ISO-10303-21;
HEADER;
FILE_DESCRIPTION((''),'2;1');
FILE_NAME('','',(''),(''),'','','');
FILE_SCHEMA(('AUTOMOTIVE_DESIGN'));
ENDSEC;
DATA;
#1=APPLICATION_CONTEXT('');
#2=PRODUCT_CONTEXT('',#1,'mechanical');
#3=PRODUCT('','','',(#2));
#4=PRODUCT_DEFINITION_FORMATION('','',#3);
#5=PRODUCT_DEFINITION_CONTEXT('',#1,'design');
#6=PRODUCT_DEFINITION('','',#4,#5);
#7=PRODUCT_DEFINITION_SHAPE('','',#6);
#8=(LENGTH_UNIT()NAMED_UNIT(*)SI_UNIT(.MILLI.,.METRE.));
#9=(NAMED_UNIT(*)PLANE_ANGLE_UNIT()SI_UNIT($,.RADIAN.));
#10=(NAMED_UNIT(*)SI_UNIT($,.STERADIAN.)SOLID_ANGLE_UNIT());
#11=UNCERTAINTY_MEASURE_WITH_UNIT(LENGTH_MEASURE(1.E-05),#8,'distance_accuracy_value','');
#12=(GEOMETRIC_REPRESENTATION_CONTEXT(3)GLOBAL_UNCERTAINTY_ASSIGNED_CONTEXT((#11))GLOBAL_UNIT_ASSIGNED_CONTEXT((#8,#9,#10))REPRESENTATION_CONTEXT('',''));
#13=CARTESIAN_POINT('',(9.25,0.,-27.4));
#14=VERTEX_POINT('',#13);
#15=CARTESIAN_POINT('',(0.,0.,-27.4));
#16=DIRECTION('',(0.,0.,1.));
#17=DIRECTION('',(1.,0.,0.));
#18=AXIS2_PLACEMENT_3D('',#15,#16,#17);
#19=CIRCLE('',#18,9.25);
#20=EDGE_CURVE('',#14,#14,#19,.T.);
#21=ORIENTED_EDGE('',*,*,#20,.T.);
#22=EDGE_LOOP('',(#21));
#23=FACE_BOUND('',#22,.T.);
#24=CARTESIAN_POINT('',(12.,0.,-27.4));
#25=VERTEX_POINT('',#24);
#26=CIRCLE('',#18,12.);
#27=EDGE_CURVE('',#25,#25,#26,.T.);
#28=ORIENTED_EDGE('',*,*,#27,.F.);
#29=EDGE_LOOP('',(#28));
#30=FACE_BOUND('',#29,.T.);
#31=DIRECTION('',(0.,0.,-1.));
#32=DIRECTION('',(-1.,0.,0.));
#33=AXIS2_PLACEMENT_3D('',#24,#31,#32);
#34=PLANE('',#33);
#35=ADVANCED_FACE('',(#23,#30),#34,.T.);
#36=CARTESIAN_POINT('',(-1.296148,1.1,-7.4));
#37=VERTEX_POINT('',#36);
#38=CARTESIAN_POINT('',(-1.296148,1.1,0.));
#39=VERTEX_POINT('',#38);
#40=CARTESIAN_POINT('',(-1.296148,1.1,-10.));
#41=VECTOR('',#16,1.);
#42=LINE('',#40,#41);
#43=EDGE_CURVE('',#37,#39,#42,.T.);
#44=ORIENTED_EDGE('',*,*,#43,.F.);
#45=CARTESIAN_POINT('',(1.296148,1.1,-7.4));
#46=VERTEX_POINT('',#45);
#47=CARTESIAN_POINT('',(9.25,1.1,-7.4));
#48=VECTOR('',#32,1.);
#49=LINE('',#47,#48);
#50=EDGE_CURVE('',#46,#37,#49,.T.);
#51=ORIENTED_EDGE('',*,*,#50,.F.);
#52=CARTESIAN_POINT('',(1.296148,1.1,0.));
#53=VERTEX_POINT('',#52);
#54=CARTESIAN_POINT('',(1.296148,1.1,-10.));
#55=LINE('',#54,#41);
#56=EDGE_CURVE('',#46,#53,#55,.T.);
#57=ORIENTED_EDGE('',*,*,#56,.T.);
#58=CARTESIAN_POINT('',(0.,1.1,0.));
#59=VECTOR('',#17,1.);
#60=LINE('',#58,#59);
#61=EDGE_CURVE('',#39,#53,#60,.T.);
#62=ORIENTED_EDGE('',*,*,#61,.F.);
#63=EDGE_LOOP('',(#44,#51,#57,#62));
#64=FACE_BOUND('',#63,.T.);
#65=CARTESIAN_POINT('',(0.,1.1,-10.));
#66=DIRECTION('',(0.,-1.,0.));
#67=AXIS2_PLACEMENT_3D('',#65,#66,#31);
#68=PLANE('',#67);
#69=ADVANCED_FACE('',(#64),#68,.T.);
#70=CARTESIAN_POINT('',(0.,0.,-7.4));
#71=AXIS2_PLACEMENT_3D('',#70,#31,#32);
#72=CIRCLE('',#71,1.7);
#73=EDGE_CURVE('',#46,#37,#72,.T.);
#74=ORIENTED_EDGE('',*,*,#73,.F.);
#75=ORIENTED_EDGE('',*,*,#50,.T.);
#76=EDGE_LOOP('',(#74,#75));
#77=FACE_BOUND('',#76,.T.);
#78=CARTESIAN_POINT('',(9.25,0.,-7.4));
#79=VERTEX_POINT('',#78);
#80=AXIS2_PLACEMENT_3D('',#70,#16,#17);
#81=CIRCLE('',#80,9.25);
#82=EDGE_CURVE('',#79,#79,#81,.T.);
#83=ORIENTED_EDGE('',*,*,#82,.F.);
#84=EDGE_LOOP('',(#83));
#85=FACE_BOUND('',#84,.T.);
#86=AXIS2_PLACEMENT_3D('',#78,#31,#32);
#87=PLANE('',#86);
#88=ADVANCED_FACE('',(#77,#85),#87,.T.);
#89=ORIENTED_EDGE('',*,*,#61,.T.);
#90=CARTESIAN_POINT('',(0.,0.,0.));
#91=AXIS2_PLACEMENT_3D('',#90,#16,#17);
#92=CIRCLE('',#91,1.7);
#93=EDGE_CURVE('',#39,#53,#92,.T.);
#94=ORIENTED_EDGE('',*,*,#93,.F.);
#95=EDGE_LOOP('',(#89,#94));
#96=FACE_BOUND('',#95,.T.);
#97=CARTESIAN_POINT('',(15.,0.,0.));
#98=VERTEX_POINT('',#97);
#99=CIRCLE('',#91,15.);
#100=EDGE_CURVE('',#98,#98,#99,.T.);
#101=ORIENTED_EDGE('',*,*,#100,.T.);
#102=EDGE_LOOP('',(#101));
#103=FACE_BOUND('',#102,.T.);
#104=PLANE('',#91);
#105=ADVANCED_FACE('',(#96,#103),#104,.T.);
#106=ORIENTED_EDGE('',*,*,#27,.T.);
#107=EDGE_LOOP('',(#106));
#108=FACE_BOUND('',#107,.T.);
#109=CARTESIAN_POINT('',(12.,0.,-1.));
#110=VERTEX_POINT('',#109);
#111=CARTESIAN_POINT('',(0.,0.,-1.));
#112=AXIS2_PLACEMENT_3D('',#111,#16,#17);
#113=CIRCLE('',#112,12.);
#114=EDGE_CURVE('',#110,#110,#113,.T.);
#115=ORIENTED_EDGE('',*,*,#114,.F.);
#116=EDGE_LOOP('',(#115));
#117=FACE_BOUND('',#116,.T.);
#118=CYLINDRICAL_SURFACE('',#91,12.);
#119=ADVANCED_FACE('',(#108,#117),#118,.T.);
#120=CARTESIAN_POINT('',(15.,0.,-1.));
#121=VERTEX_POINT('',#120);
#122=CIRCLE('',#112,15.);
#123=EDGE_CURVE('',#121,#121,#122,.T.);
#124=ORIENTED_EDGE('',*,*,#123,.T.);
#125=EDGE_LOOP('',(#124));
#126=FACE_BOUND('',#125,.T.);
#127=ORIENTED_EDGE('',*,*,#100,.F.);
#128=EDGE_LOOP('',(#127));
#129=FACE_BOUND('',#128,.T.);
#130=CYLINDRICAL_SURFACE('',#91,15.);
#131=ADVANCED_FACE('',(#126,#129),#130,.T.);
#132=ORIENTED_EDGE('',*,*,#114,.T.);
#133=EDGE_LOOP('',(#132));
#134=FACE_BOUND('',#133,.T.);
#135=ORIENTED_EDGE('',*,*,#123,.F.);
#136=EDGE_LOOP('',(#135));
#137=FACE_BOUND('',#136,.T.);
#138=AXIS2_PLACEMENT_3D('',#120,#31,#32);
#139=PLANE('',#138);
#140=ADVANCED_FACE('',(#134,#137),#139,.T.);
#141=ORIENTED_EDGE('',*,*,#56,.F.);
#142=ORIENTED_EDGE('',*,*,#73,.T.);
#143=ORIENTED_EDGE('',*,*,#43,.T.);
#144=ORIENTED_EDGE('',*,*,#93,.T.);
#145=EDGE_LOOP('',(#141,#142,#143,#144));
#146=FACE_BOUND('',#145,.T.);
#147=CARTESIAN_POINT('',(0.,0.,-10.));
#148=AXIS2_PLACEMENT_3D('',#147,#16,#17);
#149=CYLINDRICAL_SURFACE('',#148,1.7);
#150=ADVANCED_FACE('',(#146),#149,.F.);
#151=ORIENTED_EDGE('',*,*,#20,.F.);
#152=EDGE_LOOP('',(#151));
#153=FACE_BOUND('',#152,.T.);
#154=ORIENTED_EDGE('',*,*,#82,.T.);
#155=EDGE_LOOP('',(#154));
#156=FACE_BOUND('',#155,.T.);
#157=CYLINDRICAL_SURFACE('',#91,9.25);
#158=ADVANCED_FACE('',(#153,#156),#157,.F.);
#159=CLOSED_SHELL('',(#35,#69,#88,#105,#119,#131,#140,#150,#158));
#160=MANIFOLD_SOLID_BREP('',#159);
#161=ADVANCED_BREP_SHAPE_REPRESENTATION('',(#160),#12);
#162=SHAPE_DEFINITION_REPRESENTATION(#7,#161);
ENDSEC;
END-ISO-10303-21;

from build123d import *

# Parameters (mm, degrees)
CUT_EXTRUDE_1_DEPTH = 10


with BuildPart() as part:
    # Эскиз1 → Повернуть1 (revolve)
    with BuildSketch(Plane(origin=(0, 0, 0), x_dir=(1, 0, 0), z_dir=(0, 1, 0))):
        Polygon((0, 0), (15, 0), (15, 1), (12, 1), (12, 27.4), (9.25, 27.4), (9.25, 7.4), (0, 7.4), align=None)
    revolve(axis=Axis((0, 0, 0), (0, 0, -1)))

    # Эскиз2 → Вырез-Вытянуть1 (cut)
    # profile 1 of 2: a face of its own
    with BuildSketch(Plane.XY):
        with BuildLine():
            Line((-1.29614814, 1.1), (1.29614814, 1.1))
            ThreePointArc((1.29614814, 1.1), (0, -1.7), (-1.29614814, 1.1))
        make_face()
        with BuildLine():
            ThreePointArc((-1.2, 0.9), (0, -1.5), (1.2, 0.9))
            Line((1.2, 0.9), (-1.2, 0.9))
        make_face(mode=Mode.SUBTRACT)
    # profile 2 of 2: a face of its own
    with BuildSketch(Plane.XY):
        with BuildLine():
            Line((-1.2, 0.9), (1.2, 0.9))
            ThreePointArc((1.2, 0.9), (0, -1.5), (-1.2, 0.9))
        make_face()
    extrude(amount=-CUT_EXTRUDE_1_DEPTH, mode=Mode.SUBTRACT)


solid = part.part
